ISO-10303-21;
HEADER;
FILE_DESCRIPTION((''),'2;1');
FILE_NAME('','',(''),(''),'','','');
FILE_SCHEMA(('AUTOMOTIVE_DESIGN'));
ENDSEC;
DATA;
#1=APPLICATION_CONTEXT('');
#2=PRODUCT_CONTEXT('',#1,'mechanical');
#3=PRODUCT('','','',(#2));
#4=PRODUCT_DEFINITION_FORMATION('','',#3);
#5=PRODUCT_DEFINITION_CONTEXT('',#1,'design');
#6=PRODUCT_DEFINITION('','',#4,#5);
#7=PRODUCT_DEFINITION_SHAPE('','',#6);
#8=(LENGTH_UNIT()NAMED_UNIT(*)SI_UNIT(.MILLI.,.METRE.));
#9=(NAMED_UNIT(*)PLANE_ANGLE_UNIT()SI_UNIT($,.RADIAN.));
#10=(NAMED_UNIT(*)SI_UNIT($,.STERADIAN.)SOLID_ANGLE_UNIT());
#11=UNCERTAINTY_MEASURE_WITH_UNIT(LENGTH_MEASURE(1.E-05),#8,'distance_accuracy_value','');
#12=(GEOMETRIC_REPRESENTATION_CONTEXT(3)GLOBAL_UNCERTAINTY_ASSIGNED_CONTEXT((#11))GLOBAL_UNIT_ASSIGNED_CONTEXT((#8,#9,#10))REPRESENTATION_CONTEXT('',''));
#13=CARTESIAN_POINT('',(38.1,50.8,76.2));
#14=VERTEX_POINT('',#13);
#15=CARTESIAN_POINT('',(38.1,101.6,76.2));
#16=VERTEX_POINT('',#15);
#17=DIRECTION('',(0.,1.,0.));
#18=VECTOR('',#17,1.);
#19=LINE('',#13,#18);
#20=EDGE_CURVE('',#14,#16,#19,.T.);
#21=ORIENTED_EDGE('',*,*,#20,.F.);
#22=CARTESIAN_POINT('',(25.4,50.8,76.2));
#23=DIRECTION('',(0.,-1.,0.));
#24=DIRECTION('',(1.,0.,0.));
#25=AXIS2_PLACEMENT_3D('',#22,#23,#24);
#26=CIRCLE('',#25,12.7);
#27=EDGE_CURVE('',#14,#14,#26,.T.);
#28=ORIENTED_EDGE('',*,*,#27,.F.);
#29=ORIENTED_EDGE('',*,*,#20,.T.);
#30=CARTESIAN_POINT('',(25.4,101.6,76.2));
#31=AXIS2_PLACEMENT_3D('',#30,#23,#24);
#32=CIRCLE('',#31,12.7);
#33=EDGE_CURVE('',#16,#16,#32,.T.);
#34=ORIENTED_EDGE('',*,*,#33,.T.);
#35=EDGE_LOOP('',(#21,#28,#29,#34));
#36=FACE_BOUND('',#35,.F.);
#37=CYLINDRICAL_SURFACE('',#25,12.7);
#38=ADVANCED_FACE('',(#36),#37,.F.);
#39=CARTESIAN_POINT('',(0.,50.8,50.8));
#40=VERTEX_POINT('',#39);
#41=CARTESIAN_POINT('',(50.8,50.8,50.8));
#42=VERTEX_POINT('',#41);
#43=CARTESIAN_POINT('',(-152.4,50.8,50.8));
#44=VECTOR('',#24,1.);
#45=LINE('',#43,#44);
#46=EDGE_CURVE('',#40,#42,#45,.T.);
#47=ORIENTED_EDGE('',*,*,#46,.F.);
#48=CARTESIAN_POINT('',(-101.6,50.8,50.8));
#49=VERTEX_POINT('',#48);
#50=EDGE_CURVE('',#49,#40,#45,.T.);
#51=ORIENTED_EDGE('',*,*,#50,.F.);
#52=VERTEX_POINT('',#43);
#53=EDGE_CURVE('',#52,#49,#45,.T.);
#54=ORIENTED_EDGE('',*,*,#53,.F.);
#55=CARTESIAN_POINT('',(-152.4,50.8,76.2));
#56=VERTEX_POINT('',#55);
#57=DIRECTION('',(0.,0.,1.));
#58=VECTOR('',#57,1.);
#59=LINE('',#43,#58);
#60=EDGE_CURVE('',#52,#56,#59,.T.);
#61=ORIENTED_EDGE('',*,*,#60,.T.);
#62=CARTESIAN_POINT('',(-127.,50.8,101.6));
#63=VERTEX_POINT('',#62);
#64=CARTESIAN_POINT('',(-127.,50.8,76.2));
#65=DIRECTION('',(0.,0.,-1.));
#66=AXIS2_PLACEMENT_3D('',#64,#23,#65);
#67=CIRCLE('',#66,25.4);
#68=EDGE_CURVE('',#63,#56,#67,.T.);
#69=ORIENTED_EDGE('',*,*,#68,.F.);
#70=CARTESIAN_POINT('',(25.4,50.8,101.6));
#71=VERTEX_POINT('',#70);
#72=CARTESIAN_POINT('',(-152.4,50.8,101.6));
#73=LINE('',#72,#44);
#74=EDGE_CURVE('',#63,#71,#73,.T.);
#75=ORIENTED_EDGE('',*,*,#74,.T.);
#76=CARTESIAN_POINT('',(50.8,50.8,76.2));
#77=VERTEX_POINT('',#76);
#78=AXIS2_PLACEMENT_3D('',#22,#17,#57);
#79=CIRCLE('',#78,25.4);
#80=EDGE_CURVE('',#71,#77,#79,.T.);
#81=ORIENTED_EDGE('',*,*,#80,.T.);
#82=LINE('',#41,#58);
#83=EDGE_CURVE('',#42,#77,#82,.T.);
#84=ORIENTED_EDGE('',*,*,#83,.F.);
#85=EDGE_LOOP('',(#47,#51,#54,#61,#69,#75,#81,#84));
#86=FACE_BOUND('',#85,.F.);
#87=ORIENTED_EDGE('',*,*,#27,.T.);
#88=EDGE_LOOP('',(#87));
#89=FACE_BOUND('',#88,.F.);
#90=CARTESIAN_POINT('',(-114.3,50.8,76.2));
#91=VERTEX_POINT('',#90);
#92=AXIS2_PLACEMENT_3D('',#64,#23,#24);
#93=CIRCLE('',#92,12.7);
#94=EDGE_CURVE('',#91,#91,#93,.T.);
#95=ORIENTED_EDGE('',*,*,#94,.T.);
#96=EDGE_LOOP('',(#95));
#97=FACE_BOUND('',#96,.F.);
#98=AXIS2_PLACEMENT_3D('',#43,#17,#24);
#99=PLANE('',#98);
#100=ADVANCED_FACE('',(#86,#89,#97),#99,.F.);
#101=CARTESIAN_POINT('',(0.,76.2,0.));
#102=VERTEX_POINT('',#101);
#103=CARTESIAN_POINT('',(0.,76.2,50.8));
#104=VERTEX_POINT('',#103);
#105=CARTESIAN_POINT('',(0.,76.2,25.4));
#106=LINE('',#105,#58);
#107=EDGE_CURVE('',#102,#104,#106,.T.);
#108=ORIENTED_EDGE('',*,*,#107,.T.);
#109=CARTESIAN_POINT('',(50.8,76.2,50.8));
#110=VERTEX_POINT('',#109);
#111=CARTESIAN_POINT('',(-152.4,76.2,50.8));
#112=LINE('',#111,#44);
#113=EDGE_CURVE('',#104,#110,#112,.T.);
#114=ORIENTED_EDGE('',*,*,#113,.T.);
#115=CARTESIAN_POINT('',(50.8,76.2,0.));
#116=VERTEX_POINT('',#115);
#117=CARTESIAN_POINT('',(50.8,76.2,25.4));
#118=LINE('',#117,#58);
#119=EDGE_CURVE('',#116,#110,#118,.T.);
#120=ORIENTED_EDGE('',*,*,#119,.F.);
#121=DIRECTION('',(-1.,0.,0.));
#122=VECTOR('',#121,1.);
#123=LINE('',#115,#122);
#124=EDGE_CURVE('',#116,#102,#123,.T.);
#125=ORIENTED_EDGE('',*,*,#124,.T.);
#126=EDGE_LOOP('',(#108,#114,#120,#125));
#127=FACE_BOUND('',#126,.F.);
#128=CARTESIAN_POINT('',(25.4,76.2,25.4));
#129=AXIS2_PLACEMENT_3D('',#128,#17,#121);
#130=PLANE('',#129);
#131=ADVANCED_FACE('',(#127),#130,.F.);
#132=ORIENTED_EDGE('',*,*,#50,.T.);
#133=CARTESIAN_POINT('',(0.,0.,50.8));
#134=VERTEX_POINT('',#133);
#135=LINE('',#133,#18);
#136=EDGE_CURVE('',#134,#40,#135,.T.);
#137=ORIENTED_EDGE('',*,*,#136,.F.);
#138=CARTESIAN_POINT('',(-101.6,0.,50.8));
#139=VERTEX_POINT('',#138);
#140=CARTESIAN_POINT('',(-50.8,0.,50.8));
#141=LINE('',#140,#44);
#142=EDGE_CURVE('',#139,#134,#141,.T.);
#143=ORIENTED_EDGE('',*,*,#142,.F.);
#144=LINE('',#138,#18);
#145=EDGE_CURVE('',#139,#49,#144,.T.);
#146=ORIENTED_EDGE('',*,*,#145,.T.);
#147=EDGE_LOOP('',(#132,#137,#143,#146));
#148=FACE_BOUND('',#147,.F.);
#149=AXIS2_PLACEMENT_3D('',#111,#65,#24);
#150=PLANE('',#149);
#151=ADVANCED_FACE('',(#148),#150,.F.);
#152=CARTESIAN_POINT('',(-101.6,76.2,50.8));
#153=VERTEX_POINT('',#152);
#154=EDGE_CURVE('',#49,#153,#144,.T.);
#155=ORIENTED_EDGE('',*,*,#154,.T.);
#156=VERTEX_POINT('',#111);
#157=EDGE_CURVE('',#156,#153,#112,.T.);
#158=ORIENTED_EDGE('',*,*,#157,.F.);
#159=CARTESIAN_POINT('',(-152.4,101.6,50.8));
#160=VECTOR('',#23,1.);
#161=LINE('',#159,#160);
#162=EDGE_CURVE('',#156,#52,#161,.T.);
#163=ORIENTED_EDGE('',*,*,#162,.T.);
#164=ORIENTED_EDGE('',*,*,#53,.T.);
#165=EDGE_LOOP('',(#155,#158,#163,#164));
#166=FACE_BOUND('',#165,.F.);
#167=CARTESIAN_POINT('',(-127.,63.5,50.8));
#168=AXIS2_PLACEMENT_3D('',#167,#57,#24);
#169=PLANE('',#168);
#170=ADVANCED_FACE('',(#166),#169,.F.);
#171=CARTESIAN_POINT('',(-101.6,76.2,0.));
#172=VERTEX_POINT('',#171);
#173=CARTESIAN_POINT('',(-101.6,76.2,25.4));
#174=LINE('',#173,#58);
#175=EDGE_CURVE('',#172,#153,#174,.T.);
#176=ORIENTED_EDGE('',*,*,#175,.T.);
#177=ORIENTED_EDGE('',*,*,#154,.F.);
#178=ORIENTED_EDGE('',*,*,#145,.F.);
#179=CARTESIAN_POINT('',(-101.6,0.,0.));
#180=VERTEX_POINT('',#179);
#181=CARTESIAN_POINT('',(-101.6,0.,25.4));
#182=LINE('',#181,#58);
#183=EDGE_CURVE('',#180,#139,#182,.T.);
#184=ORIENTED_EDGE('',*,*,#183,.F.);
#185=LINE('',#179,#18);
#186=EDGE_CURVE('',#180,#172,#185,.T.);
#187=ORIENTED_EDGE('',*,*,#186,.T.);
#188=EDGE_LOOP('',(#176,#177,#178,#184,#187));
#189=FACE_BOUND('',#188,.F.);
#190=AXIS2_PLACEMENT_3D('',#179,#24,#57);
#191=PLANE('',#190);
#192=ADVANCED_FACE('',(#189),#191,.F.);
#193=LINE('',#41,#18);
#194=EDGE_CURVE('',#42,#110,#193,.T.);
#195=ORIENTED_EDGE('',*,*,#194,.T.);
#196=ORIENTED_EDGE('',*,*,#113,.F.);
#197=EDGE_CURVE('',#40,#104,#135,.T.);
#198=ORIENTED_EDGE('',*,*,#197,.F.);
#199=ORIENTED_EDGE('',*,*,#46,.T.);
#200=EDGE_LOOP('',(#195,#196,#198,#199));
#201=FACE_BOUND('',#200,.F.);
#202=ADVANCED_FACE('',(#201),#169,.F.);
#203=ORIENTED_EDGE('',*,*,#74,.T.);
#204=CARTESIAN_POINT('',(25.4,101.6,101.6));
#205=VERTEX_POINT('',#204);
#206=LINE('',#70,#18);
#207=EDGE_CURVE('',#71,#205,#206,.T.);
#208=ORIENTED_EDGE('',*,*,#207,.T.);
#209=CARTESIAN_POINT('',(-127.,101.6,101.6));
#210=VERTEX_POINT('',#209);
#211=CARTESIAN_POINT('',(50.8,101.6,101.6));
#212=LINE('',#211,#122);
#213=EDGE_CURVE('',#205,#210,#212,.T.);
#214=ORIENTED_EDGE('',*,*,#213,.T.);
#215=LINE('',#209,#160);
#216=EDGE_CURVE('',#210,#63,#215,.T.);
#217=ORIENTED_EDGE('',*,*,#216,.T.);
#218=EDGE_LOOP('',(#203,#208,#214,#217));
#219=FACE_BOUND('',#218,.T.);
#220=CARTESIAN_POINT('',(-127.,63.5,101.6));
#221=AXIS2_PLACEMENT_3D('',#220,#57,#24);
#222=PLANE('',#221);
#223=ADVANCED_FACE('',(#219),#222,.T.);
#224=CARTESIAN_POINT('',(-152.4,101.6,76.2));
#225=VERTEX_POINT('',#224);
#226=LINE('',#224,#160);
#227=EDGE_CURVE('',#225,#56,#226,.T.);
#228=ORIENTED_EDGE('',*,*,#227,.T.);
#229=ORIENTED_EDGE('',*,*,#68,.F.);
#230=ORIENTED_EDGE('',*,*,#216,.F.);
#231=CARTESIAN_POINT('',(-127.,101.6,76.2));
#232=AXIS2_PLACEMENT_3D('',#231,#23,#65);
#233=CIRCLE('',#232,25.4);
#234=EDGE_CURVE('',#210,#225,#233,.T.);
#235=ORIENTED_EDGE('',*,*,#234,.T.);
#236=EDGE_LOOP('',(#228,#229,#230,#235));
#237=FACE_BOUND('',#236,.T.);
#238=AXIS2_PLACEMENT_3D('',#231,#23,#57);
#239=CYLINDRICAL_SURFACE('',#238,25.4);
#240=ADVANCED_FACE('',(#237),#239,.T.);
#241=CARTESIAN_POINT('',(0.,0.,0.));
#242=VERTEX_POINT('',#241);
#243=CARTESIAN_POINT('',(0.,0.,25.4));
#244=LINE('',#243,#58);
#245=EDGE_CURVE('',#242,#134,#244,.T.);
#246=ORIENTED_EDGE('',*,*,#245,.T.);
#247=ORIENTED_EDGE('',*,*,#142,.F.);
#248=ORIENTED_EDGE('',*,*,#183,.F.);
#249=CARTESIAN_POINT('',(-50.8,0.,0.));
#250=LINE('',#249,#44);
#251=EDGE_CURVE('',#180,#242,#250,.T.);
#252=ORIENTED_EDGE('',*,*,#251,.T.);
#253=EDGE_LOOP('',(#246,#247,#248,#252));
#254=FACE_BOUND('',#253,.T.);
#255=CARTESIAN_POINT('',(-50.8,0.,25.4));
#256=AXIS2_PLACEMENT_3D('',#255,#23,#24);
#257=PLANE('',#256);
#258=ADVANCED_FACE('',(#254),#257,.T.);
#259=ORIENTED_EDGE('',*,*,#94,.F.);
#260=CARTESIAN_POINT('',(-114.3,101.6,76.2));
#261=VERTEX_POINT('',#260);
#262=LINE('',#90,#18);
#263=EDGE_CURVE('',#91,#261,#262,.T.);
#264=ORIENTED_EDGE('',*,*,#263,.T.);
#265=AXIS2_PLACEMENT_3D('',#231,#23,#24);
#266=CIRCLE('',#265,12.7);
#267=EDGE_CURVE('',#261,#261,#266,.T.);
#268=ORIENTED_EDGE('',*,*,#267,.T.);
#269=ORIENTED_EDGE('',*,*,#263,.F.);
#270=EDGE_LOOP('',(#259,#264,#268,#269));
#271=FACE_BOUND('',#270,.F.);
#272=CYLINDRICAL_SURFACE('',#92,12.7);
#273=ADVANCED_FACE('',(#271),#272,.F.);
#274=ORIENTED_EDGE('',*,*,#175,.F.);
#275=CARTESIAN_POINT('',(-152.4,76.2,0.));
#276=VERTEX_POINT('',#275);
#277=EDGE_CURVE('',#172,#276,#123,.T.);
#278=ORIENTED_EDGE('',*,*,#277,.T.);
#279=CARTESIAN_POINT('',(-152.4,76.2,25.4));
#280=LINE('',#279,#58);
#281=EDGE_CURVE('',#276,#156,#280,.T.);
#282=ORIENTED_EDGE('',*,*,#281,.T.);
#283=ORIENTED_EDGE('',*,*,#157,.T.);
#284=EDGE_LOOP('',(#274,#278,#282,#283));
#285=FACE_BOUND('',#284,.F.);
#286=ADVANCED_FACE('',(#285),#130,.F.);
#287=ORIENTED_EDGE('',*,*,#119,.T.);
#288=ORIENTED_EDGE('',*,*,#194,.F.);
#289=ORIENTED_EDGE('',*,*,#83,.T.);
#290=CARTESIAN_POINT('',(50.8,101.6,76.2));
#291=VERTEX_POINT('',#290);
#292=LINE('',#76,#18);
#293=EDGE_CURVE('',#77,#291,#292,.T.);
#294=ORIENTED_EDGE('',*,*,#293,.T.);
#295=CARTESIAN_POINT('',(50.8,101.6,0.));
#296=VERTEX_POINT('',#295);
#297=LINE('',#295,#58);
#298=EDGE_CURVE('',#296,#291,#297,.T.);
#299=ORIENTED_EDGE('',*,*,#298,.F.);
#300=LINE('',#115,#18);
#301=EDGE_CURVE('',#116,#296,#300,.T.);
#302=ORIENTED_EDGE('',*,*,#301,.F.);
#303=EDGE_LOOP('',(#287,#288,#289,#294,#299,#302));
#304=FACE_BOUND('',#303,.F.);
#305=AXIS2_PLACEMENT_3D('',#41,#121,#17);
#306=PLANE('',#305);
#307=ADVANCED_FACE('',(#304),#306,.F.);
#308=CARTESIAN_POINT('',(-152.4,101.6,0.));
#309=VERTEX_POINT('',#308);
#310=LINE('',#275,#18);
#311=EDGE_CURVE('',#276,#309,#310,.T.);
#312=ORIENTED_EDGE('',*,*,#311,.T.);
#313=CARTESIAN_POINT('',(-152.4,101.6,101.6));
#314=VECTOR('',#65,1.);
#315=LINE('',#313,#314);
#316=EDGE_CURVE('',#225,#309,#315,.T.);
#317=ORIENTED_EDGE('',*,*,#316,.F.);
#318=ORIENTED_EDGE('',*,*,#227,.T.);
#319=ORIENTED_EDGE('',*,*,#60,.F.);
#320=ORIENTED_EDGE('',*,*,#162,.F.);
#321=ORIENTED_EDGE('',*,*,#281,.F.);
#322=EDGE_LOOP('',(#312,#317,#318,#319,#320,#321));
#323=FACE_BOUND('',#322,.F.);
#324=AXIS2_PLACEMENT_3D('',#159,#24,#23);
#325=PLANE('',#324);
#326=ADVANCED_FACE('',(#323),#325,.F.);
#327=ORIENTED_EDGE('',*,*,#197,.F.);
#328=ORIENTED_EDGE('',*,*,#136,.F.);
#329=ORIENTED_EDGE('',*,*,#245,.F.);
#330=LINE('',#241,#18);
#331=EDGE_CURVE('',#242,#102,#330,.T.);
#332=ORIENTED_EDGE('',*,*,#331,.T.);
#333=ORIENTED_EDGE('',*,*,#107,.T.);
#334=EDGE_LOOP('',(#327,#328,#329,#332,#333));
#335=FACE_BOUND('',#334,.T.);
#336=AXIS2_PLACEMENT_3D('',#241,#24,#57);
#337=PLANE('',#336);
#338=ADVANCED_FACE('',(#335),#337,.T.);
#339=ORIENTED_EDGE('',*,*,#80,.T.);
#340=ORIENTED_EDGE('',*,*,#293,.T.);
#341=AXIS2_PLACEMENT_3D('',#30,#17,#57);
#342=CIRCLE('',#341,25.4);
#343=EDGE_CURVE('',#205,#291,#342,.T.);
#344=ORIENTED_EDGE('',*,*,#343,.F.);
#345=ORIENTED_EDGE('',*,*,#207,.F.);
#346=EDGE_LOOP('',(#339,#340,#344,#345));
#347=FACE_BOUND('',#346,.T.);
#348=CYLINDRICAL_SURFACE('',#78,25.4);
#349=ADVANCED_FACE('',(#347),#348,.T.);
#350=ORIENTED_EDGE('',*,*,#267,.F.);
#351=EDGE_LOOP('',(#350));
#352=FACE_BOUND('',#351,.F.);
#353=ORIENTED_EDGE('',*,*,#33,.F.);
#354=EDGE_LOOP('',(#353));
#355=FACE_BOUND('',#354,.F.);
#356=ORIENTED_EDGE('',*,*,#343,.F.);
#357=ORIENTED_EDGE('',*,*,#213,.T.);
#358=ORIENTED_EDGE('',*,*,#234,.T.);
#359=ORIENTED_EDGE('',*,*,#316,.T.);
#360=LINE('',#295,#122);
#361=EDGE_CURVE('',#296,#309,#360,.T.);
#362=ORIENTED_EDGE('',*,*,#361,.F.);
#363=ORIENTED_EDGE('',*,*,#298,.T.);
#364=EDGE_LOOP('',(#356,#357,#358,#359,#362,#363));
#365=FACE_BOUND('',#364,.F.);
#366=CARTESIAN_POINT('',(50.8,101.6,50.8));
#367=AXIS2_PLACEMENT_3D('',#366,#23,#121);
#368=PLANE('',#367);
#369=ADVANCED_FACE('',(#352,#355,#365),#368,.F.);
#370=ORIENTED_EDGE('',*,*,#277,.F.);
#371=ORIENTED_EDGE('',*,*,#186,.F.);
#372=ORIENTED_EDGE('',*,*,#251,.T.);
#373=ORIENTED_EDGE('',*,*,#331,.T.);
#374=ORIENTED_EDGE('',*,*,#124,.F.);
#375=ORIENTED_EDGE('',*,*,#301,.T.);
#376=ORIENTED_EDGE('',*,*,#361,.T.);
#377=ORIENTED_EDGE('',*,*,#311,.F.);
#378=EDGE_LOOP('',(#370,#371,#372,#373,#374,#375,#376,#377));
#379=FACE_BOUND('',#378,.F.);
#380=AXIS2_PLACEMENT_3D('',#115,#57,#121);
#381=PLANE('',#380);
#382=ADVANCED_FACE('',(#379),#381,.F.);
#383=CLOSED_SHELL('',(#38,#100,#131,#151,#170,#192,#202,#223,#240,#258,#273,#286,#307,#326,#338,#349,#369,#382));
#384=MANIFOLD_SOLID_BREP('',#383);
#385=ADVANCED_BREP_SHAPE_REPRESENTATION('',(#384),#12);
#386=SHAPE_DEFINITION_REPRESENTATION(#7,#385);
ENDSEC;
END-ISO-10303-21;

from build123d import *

# Parameters (mm, degrees)
F0_W     = 101.6
F0_H     = 50.8
F1_DEPTH = 76.2
F2_W     = 50.8
F2_H     = 50.8
F2_W_2   = 101.6
F3_DEPTH = 25.4
F4_W     = 50.8
F4_H     = 25.4
F5_DEPTH = 50.8
F6_R     = 25.4
F7_R     = 25.4
F8_R     = 12.7
F9_DEPTH = 50.8


with BuildPart() as f1:
    # F0 (on Front) → F1 (new body)
    with BuildSketch(Plane.XZ):
        with Locations((-50.8, 25.4)):
            Rectangle(F0_W, F0_H)
    extrude(amount=-F1_DEPTH)

    # F2 (on face) → F3 (join)
    with BuildSketch(Plane(origin=(0, 76.2, 0), x_dir=(-1, 0, 0), z_dir=(0, 1, 0))):
        with Locations((-25.4, 25.4)):
            Rectangle(F2_W, F2_H)
        with Locations((50.8, 25.4)):
            Rectangle(F2_W_2, F2_H)
        with Locations((127, 25.4)):
            Rectangle(F2_W, F2_H)
    extrude(amount=F3_DEPTH)

    # F4 (on face) → F5 (join)
    with BuildSketch(Plane.XY.offset(50.8)):
        with Locations((-127, 63.5)):
            Rectangle(F4_W, F4_H)
        Polygon((50.8, 76.2), (50.8, 101.6), (-152.4, 101.6), (-152.4, 76.2), (-101.6, 76.2), (-101.6, 50.8), (0, 50.8), (0, 76.2), align=None)
        with Locations((25.4, 63.5)):
            Rectangle(F4_W, F4_H)
    extrude(amount=F5_DEPTH)

    # F6
    f6_edges = [f1.edges().sort_by_distance(p)[0] for p in [
        (50.8, 76.2, 101.6),
    ]]
    fillet(f6_edges, radius=F6_R)

    # F7
    f7_edges = [f1.edges().sort_by_distance(p)[0] for p in [
        (-152.4, 76.2, 101.6),
    ]]
    fillet(f7_edges, radius=F7_R)

    # F8 (on face) → F9 (cut)
    with BuildSketch(Plane.XZ.offset(-50.8)):
        with Locations((-127, 76.2)):
            Circle(F8_R)
        with Locations((25.4, 76.2)):
            Circle(F8_R)
    extrude(amount=-F9_DEPTH, mode=Mode.SUBTRACT)


solid = f1.part
